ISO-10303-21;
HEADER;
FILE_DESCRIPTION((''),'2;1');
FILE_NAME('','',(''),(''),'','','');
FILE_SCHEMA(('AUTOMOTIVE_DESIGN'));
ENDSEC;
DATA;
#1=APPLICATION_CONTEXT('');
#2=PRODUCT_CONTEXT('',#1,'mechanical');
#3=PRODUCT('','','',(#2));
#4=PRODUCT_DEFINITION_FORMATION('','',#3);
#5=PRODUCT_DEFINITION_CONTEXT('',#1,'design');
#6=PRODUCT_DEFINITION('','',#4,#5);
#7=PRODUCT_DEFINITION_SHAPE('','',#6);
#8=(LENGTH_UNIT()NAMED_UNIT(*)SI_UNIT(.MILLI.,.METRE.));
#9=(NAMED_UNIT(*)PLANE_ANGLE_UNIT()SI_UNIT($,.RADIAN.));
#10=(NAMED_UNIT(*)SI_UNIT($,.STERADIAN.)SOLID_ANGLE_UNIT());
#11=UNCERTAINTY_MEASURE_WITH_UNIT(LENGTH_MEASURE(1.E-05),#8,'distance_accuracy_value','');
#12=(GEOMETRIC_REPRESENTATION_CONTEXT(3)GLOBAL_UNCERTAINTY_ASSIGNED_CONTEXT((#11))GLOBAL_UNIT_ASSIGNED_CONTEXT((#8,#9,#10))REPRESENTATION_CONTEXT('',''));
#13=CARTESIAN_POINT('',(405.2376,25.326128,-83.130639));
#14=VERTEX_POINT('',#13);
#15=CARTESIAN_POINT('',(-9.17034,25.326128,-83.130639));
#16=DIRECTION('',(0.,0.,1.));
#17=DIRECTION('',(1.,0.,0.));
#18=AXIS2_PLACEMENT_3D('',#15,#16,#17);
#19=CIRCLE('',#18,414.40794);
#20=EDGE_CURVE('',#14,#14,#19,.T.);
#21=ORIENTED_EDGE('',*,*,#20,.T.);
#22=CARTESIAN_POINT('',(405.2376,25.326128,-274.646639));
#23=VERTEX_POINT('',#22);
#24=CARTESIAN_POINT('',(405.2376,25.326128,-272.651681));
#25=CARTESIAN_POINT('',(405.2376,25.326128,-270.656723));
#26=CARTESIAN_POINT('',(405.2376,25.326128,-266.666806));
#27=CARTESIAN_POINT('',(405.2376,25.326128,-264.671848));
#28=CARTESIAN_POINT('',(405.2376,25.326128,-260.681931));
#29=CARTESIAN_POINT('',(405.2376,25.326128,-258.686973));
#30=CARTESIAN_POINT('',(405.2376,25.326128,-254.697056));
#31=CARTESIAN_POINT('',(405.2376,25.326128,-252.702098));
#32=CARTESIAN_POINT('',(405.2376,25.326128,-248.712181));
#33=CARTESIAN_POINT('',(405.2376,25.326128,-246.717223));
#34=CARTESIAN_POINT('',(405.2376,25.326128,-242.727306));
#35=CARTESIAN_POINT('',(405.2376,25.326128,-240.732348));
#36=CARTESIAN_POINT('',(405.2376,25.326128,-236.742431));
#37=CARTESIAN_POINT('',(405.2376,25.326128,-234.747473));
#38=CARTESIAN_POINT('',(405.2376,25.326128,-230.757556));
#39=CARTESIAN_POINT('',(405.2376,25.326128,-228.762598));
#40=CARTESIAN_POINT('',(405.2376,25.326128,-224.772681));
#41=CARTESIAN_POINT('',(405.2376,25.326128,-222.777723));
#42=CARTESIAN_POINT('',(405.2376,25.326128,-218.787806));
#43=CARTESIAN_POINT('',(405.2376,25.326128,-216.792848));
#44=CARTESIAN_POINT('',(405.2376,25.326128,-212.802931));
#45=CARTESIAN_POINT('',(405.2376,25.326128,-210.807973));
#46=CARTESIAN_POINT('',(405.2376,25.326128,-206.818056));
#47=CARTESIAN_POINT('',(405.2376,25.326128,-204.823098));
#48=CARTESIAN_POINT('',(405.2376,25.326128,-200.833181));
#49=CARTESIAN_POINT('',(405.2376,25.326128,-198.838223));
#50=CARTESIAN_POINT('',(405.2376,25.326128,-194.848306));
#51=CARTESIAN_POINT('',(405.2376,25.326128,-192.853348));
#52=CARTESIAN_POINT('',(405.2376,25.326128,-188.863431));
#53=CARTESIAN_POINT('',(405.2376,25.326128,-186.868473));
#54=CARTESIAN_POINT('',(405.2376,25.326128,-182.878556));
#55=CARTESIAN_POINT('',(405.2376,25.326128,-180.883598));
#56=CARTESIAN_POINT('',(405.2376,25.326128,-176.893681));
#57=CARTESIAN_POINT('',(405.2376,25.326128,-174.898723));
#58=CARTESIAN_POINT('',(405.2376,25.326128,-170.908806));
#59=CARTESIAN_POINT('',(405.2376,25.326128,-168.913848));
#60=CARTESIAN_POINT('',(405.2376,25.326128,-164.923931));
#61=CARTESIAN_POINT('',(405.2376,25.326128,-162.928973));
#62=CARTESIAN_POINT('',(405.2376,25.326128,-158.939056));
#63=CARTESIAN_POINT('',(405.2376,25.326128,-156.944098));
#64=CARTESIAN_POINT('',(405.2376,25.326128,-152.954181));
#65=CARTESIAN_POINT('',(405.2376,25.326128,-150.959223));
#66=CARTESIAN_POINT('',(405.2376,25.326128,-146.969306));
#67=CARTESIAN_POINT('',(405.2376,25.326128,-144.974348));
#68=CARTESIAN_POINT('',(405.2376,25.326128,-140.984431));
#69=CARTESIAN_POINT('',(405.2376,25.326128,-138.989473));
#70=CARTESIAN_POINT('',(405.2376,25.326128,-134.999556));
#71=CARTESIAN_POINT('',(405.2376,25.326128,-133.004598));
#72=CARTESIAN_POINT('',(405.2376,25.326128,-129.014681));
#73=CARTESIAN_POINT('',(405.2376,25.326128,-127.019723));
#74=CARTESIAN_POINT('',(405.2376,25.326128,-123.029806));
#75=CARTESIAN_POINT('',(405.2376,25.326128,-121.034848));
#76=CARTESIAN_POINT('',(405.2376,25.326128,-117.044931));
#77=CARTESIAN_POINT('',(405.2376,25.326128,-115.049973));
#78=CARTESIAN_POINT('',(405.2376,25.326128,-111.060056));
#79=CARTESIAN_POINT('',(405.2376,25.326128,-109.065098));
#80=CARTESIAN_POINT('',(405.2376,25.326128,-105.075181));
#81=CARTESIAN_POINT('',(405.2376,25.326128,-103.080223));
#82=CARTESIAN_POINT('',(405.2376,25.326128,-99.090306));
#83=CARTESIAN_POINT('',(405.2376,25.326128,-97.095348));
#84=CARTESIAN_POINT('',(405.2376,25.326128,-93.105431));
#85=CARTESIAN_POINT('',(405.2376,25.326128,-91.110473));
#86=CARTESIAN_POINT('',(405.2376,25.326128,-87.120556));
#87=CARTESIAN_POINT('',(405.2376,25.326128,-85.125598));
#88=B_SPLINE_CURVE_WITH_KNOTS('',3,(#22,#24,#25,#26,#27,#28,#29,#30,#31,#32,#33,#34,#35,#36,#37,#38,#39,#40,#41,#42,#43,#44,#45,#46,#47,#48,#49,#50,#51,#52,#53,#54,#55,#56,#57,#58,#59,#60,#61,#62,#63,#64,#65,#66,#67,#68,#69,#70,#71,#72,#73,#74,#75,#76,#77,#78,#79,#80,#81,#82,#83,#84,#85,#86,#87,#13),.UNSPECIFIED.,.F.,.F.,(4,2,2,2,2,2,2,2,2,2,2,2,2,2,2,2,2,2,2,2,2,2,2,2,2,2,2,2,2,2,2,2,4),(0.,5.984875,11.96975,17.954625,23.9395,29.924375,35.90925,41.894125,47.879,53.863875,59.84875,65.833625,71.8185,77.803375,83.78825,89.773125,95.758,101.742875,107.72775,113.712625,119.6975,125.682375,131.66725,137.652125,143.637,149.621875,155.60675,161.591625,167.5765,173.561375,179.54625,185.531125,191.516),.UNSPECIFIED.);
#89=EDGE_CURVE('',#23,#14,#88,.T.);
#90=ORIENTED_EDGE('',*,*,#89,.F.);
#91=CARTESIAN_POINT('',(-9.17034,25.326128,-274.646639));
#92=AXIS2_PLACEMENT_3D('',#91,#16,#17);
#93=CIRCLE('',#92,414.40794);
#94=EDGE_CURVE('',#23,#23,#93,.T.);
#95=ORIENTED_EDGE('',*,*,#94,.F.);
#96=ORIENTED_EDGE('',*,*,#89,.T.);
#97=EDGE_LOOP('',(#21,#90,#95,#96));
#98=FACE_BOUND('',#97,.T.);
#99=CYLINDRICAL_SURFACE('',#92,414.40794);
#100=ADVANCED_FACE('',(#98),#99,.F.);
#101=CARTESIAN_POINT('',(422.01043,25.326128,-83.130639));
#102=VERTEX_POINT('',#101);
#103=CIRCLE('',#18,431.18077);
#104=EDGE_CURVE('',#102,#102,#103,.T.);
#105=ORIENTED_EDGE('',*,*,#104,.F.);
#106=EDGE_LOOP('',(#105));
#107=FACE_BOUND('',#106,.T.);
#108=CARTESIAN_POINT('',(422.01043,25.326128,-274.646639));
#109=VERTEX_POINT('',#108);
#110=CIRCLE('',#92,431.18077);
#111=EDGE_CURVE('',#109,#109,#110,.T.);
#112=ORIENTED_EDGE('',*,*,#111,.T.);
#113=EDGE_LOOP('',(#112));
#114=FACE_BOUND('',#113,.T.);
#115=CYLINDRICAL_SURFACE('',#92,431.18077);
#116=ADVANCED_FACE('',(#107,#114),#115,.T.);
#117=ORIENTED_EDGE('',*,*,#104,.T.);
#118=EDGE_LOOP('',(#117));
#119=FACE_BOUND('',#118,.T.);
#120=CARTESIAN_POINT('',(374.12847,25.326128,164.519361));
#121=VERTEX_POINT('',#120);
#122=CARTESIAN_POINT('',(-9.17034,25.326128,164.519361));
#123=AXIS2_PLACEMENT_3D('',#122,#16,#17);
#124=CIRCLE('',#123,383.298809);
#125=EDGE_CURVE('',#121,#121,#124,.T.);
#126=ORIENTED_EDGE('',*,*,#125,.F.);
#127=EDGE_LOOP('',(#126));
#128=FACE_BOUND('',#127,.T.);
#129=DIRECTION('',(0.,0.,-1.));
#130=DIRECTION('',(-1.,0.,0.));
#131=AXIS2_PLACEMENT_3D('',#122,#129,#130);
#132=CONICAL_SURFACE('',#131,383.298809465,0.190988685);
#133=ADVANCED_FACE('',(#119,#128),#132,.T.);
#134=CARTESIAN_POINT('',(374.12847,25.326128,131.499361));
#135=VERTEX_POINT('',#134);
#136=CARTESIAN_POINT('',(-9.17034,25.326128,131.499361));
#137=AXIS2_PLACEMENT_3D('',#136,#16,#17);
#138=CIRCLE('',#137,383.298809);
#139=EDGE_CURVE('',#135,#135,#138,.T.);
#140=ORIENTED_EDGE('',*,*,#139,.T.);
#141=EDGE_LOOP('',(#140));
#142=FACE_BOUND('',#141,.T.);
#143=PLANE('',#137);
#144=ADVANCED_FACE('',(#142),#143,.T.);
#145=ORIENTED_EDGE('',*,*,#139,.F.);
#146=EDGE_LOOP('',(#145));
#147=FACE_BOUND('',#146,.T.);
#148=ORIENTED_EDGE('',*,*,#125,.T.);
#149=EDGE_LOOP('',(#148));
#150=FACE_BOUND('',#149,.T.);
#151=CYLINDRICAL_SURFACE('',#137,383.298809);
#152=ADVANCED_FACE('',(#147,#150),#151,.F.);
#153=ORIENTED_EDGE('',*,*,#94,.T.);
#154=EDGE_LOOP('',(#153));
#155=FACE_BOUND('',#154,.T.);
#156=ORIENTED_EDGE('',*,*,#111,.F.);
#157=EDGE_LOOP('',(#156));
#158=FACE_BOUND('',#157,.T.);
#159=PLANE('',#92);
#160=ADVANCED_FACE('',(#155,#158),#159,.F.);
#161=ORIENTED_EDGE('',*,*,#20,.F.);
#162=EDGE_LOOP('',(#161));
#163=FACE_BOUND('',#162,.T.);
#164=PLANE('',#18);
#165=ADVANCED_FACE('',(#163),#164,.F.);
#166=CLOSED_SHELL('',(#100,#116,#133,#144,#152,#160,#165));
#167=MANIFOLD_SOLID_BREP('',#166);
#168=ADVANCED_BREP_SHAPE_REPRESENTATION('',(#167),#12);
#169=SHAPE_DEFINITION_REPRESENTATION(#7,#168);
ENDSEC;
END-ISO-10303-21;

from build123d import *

# Parameters (mm, degrees)
SKETCH1_R           = 33.167751503
SKETCH1_R_2         = 31.877533848
BOSS_EXTRUDE1_DEPTH = 14.732
SKETCH4_R           = 29.484523805
SKETCH1_3_R         = 33.167751503
SKETCH5_R           = 29.484523805
CUT_EXTRUDE1_DEPTH  = 2.54
SCALE1_SCALE        = 13


with BuildPart() as part:
    # Sketch1 → Boss-Extrude1 (new body)
    with BuildSketch(Plane.XY):
        with Locations((-9.170341316, 25.326095841)):
            Circle(SKETCH1_R)
        with Locations((-9.170341316, 25.326095841)):
            Circle(SKETCH1_R_2, mode=Mode.SUBTRACT)
    extrude(amount=-BOSS_EXTRUDE1_DEPTH)

    # Sketch4 → Loft1 section 0
    with BuildSketch(Plane.XY.offset(19.05)):
        with Locations((-9.170341316, 25.326095841)):
            Circle(SKETCH4_R)
    # Sketch1<3> → Loft1 section 1
    with BuildSketch(Plane.XY):
        with Locations((-9.170341316, 25.326095841)):
            Circle(SKETCH1_3_R)
    loft()

    # Sketch5 → Cut-Extrude1 (cut)
    with BuildSketch(Plane.XY.offset(19.05)):
        with Locations((-9.170341316, 25.326095841)):
            Circle(SKETCH5_R)
    extrude(amount=-CUT_EXTRUDE1_DEPTH, mode=Mode.SUBTRACT)


with BuildPart() as part_1:
    # Scale1: scaled about (-9.170341316, 25.326095841, 6.927517959)
    add(part.part.scale(SCALE1_SCALE).moved(Location((110.044095792, -303.913150092, -83.130215508))))


solid = part_1.part
